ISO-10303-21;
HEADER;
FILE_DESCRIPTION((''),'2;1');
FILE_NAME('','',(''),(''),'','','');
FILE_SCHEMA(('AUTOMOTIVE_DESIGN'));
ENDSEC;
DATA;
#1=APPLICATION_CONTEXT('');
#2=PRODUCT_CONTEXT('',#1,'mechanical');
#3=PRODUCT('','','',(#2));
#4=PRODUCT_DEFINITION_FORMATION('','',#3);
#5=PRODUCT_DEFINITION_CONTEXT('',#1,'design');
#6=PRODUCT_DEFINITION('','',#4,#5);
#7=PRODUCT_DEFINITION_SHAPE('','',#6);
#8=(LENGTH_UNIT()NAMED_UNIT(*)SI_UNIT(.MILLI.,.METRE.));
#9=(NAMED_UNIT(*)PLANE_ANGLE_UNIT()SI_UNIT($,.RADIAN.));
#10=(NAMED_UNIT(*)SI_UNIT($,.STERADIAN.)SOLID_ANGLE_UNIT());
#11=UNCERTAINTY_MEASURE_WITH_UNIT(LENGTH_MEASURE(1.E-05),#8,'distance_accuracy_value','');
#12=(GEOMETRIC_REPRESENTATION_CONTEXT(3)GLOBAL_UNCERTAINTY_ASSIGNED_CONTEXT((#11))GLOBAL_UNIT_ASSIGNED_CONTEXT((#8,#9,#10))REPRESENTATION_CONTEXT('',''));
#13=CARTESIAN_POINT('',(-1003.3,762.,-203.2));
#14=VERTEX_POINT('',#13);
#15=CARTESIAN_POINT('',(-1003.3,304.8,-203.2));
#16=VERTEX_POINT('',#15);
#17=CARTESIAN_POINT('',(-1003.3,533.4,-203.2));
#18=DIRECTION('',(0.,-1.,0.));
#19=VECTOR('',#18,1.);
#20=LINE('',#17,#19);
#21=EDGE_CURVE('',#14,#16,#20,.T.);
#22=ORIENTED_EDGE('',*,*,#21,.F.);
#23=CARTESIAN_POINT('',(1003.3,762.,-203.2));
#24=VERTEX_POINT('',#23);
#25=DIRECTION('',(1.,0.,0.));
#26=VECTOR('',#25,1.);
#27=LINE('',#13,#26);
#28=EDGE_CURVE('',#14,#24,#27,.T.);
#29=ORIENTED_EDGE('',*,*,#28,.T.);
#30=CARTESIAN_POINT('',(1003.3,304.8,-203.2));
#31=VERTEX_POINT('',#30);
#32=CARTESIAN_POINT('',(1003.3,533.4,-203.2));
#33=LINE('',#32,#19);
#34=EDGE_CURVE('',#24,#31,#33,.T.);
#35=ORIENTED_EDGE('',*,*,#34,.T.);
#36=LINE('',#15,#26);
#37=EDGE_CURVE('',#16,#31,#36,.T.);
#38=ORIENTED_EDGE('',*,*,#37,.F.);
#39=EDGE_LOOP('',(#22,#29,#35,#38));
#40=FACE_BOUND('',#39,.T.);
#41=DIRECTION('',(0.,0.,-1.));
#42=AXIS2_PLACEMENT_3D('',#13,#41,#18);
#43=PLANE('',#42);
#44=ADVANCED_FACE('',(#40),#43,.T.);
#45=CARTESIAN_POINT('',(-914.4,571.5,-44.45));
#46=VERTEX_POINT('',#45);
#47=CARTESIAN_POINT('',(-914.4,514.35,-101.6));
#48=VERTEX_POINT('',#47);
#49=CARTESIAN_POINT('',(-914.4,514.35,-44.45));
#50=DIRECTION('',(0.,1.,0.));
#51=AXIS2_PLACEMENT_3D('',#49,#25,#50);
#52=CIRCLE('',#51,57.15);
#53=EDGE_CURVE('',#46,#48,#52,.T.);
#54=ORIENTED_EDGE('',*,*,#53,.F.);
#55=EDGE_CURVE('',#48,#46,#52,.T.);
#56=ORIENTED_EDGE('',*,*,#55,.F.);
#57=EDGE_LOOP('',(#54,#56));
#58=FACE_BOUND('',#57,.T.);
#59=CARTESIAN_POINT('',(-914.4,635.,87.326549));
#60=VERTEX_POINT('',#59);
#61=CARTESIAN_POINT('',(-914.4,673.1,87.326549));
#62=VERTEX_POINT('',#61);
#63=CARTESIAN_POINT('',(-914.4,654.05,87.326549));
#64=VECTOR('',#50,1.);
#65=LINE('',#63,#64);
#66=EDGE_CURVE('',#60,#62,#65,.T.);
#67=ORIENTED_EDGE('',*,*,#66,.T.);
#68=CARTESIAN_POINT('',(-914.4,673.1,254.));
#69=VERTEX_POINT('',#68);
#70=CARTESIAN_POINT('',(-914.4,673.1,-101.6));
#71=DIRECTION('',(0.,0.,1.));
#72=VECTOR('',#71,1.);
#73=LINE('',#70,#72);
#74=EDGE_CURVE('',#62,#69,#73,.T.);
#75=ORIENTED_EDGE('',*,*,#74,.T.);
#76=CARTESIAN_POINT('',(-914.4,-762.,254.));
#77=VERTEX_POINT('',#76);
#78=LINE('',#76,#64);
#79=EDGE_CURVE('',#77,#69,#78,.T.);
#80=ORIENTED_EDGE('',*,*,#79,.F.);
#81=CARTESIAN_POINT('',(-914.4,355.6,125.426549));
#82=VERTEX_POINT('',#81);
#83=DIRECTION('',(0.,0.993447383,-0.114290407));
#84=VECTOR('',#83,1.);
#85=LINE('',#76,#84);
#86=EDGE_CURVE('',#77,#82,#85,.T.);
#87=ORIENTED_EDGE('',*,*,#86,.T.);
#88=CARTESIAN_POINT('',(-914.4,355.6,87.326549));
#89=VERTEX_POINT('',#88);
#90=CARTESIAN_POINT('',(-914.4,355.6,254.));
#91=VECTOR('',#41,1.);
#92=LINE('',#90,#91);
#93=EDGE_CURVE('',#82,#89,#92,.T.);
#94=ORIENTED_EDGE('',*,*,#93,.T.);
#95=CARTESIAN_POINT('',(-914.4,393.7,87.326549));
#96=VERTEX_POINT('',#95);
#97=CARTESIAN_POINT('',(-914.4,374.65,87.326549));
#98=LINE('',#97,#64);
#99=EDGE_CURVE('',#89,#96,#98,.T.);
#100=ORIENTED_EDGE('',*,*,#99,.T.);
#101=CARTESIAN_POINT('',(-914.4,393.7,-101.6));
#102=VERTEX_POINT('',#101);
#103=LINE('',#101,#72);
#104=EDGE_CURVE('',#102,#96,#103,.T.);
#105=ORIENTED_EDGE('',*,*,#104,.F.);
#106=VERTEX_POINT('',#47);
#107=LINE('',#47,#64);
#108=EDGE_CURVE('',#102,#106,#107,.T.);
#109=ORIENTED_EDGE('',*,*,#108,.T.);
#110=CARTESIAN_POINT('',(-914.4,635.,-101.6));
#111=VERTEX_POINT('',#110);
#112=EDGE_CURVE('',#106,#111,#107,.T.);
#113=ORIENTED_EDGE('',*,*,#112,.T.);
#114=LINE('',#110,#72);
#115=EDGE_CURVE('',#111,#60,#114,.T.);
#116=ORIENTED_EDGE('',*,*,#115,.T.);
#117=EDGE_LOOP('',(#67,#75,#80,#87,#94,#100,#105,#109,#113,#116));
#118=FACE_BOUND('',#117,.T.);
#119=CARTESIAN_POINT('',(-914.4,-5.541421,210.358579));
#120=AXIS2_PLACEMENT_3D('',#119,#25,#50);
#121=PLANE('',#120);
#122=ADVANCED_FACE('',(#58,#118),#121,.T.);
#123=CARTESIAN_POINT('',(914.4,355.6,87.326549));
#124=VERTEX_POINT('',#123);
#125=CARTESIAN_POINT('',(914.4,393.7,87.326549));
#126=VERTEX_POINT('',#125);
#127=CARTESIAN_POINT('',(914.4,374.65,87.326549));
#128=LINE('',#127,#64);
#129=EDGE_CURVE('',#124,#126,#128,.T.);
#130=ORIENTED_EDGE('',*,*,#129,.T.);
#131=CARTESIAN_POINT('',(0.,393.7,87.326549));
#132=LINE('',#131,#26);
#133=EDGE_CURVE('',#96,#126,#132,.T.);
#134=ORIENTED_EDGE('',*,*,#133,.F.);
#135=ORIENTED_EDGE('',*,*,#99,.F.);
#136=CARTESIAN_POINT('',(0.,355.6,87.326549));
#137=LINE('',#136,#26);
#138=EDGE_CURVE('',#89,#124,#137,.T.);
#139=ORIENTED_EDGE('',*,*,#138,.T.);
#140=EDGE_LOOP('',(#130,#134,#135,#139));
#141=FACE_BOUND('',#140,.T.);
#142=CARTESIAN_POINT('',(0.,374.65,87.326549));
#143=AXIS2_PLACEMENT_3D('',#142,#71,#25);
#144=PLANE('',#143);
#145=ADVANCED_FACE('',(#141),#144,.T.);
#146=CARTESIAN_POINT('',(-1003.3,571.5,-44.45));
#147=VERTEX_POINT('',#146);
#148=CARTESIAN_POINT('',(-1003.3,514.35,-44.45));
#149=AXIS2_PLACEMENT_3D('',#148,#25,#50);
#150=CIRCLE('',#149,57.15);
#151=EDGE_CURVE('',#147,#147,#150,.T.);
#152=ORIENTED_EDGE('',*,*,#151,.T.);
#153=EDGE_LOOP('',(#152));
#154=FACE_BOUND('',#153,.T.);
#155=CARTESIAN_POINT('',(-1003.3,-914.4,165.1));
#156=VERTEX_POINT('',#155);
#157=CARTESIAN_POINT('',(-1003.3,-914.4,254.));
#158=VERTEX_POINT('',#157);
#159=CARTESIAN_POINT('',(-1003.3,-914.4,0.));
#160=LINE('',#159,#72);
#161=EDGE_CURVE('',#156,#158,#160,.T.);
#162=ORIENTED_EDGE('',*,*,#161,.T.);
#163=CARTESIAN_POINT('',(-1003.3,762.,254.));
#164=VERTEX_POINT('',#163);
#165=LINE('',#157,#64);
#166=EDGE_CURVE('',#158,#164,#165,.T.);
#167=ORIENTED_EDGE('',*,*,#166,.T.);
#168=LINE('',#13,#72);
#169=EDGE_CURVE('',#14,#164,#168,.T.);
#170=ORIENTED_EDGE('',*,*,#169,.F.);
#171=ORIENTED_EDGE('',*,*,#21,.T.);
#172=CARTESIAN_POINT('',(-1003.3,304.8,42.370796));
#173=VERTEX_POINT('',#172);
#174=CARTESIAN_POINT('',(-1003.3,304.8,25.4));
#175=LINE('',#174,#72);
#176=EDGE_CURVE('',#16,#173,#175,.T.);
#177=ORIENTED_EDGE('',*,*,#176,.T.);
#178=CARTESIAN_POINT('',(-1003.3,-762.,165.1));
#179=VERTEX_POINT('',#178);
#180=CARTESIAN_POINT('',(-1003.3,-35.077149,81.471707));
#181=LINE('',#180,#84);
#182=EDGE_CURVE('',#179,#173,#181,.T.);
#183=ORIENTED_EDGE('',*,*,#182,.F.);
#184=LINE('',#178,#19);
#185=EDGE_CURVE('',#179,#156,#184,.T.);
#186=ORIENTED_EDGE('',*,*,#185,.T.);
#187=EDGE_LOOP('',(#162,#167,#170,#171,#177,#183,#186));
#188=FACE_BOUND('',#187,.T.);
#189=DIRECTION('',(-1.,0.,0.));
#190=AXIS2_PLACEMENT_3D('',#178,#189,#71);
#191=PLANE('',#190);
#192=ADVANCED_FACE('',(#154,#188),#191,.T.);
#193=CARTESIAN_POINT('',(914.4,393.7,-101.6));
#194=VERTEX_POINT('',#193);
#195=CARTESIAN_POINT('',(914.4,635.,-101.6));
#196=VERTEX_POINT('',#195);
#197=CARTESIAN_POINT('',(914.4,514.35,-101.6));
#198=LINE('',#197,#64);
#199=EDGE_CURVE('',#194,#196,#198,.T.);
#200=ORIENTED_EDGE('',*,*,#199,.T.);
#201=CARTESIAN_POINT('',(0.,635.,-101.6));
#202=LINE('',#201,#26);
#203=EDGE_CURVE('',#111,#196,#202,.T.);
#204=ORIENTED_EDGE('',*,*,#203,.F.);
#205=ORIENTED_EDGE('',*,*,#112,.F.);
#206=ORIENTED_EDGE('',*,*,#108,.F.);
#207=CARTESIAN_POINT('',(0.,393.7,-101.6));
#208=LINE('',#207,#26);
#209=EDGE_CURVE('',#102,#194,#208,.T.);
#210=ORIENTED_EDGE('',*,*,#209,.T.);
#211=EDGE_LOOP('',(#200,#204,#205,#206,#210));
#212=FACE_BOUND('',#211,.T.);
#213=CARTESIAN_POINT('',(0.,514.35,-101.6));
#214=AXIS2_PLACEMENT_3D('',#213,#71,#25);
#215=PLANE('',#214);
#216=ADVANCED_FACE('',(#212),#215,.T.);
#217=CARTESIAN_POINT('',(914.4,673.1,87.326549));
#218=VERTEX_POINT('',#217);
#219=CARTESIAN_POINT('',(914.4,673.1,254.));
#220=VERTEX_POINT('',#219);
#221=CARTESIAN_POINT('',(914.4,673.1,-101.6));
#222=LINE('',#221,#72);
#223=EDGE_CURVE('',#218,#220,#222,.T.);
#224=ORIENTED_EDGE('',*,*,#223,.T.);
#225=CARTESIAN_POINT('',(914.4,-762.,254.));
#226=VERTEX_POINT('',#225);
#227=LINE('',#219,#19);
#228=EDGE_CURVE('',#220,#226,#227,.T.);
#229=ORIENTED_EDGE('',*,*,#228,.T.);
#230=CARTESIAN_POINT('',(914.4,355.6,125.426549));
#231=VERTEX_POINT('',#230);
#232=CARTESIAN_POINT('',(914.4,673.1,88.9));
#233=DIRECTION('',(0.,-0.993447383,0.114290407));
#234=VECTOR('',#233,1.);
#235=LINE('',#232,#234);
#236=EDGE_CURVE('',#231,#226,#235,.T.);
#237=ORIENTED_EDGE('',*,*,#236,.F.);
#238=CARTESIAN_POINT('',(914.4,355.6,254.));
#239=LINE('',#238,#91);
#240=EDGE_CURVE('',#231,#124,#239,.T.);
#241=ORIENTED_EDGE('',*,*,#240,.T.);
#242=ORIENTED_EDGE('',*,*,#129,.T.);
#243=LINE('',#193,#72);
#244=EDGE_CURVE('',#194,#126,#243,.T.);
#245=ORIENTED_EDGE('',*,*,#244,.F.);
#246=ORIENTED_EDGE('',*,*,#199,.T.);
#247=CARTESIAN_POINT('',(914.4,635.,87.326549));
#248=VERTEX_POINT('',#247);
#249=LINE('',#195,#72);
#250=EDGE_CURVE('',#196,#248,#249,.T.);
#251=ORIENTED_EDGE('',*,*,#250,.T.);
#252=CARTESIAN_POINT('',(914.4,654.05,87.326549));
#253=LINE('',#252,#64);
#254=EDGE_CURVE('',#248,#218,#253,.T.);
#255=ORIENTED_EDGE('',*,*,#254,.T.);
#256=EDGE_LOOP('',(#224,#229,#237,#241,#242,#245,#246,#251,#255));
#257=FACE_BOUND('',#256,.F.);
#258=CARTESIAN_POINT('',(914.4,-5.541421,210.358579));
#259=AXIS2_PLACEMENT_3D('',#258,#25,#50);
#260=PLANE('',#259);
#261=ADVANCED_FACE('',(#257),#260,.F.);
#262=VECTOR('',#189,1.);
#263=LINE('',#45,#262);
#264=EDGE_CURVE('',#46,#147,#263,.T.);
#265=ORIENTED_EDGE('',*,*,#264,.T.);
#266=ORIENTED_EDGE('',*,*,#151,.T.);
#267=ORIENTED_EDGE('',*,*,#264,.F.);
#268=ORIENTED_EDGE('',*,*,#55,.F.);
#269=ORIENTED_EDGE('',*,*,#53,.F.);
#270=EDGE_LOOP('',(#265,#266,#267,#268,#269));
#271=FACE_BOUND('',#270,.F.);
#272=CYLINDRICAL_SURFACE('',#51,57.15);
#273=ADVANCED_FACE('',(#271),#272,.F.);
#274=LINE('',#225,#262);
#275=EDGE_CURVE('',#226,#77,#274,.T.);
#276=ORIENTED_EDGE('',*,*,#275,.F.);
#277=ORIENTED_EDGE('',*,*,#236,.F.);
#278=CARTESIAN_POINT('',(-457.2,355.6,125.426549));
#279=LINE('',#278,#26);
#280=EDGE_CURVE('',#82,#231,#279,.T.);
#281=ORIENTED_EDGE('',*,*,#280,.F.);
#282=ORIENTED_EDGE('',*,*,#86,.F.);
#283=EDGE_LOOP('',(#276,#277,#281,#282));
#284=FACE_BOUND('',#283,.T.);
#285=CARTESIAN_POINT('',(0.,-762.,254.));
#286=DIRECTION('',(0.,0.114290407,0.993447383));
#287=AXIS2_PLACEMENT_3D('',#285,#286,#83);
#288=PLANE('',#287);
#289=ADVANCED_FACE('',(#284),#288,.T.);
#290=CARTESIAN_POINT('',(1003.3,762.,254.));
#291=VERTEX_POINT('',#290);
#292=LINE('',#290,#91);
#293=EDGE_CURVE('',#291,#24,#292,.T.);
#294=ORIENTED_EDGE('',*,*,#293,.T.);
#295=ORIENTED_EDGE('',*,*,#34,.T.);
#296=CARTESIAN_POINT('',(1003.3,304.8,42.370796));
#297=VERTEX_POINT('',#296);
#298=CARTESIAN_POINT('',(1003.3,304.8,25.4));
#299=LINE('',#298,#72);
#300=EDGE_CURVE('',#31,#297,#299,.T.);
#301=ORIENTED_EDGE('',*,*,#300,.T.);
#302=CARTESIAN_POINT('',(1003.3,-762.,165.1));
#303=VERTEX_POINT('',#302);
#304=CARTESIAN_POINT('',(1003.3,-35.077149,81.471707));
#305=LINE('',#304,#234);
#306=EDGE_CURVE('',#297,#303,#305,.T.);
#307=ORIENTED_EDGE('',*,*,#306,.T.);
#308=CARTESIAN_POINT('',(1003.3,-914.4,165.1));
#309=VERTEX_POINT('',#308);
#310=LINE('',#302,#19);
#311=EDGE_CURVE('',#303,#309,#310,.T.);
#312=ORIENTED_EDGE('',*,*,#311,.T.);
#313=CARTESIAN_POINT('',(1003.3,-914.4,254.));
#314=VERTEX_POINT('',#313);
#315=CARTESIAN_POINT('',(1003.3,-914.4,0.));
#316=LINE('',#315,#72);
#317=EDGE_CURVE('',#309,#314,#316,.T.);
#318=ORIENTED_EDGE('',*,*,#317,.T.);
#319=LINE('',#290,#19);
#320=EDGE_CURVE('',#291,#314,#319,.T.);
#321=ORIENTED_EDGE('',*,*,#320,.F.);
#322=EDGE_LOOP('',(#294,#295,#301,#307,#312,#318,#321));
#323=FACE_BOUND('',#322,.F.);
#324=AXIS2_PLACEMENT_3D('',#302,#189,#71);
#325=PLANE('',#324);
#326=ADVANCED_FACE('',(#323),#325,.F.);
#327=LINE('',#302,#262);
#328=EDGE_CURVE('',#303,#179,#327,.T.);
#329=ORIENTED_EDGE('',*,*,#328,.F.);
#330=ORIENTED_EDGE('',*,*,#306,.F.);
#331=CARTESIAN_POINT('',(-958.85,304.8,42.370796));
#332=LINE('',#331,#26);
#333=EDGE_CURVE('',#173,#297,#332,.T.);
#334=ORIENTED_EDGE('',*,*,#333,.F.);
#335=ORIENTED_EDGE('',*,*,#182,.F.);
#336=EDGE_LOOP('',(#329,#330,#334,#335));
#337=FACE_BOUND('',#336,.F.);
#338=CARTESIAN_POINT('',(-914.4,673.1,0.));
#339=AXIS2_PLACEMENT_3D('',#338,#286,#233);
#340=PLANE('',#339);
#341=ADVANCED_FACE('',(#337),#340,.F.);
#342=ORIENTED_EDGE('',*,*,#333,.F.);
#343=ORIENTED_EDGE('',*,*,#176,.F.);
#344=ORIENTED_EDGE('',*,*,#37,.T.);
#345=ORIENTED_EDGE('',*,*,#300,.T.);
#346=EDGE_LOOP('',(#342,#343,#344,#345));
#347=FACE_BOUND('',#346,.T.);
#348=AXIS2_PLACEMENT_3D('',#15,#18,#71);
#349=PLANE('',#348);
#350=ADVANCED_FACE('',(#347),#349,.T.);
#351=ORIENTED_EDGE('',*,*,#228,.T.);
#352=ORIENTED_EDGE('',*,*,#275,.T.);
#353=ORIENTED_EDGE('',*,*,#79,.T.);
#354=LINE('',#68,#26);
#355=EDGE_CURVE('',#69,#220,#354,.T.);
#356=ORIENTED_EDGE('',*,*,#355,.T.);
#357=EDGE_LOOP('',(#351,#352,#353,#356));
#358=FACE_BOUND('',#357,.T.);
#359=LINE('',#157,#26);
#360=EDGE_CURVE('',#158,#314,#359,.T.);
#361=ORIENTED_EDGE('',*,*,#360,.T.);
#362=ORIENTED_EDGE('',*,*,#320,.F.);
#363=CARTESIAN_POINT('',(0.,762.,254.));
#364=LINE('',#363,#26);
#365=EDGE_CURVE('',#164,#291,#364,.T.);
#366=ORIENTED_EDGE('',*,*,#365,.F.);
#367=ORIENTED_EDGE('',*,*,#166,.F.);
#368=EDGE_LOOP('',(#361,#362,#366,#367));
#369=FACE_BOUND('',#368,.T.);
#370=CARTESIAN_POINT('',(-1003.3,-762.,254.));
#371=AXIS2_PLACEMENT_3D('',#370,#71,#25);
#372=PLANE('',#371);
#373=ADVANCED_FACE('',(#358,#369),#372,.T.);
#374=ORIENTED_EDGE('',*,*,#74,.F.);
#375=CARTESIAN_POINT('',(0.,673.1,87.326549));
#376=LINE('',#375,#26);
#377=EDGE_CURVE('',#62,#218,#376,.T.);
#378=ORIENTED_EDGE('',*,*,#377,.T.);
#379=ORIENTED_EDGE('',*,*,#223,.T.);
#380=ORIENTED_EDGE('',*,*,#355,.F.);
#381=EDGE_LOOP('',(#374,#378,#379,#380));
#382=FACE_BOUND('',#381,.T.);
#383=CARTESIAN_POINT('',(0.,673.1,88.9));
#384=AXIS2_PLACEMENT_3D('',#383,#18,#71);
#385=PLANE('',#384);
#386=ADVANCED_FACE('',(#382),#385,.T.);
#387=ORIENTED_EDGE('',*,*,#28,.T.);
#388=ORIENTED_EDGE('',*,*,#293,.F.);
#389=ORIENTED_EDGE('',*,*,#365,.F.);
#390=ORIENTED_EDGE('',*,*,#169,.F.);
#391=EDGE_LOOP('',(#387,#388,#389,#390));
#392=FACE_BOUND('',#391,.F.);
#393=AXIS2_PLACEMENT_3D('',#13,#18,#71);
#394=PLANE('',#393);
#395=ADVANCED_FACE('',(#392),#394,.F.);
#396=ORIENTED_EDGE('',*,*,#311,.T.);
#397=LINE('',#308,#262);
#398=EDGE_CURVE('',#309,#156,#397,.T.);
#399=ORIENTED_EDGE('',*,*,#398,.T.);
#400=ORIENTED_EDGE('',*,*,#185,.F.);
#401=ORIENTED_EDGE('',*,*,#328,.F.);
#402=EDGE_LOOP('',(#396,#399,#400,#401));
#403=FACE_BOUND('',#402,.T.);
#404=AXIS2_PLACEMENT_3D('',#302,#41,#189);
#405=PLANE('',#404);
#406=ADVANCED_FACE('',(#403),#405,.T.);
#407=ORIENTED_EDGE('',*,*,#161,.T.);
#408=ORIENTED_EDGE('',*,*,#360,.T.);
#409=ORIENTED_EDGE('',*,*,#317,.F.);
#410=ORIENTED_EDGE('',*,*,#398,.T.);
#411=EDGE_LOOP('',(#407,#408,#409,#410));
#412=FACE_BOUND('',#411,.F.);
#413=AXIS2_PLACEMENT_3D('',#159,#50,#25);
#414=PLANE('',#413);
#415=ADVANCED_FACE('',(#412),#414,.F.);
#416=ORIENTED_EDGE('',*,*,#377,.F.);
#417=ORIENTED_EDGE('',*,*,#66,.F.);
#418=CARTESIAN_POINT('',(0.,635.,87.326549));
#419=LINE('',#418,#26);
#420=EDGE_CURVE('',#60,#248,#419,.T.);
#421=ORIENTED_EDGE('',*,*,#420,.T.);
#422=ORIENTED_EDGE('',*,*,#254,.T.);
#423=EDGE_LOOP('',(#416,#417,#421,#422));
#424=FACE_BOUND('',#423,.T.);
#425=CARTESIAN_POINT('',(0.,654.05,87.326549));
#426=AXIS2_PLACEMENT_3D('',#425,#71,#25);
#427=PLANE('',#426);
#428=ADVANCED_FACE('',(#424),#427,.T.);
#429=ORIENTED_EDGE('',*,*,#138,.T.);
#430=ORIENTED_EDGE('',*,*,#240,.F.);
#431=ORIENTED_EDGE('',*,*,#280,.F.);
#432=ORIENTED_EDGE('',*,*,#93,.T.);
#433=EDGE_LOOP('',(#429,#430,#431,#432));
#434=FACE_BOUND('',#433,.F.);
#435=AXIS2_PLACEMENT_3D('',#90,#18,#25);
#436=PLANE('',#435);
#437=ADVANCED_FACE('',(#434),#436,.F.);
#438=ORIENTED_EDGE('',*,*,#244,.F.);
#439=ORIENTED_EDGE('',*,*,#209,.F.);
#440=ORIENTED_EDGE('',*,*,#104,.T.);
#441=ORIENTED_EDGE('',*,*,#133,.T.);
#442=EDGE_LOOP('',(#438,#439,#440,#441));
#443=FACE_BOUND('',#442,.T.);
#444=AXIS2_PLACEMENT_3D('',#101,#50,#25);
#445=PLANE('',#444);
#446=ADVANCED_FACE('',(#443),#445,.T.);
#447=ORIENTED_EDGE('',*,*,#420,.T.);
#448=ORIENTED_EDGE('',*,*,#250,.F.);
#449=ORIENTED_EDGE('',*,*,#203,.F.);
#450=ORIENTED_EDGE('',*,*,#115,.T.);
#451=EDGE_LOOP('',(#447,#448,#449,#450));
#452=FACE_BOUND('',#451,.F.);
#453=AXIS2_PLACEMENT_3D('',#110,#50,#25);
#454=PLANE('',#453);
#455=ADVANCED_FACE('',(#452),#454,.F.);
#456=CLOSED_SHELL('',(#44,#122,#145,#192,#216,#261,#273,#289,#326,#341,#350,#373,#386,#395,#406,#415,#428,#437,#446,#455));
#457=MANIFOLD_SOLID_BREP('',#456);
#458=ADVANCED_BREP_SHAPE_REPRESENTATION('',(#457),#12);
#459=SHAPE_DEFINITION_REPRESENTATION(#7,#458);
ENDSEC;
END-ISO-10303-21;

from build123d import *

# Parameters (mm, degrees)
F0_W          = 2006.6
F0_H          = 1524
F1_DEPTH      = 254
F4_DEPTH      = 914.4
F5_DEPTH      = 88.901
F6_DEPTH      = 88.901
F3_W          = 457.2
F3_H          = 457.2
F7_DEPTH      = 2006.6
F8_DEPTH      = 914.4
F8_DEPTH_BACK = 914.4
F9_W          = 1828.8
F9_H          = 317.5
F10_DEPTH     = 355.6
F11_W         = 1828.8
F11_H         = 38.1
F12_DEPTH     = 188.9265486726
F13_R         = 57.15
F14_DEPTH     = 88.901
F15_DEPTH     = 152.4


with BuildPart() as f1:
    # F0 (on Top) → F1 (new body)
    with BuildSketch(Plane.XY):
        Rectangle(F0_W, F0_H)
    extrude(amount=F1_DEPTH)

    # F2 (on Right) → F4 (cut, symmetric)
    with BuildSketch(Plane.YZ):
        Polygon((673.1, 254), (-762, 254), (673.1, 88.9), align=None)
        Polygon((673.1, 0), (-762, 165.1), (-762, 0), align=None)
    extrude(amount=F4_DEPTH, both=True, mode=Mode.SUBTRACT)

    # F5 (cut, through all): a face of the model
    f5_faces = [f1.faces().sort_by_distance(p)[0] for p in [
        (-914.4, -283.6333333333, 55.0333333333),
    ]]
    extrude(f5_faces, amount=-F5_DEPTH, mode=Mode.SUBTRACT)

    # F6 (cut, through all): a face of the model
    f6_faces = [f1.faces().sort_by_distance(p)[0] for p in [
        (914.4, -283.6333333333, 55.0333333333),
    ]]
    extrude(f6_faces, amount=-F6_DEPTH, mode=Mode.SUBTRACT)

    # F3 (on face) → F7 (join, through all)
    with BuildSketch(Plane(origin=(-1003.3, 0, 0), x_dir=(0, -1, 0), z_dir=(-1, 0, 0))):
        with Locations((-533.4, 25.4)):
            Rectangle(F3_W, F3_H)
    extrude(amount=-F7_DEPTH)

    # F2 (on Right) → F8 (cut, two sides)
    with BuildSketch(Plane.YZ) as f8_sk:
        Polygon((673.1, 254), (-762, 254), (673.1, 88.9), align=None)
    extrude(amount=-F8_DEPTH, mode=Mode.SUBTRACT)
    extrude(f8_sk.sketch, amount=F8_DEPTH_BACK, mode=Mode.SUBTRACT)

    # F9 (on face) → F10 (cut, through all)
    with BuildSketch(Plane.XY.offset(254)):
        with Locations((0, 514.35)):
            Rectangle(F9_W, F9_H)
    extrude(amount=-F10_DEPTH, mode=Mode.SUBTRACT)

    # F11 (on face) → F12 (join, through all)
    with BuildSketch(Plane.XY.offset(-101.6)):
        with Locations((0, 654.05)):
            Rectangle(F11_W, F11_H)
        with Locations((0, 374.65)):
            Rectangle(F11_W, F11_H)
    extrude(amount=F12_DEPTH)

    # F13 (on face) → F14 (cut, through all)
    with BuildSketch(Plane.YZ.offset(-914.4)):
        with Locations((514.35, -44.45)):
            Circle(F13_R)
    extrude(amount=-F14_DEPTH, mode=Mode.SUBTRACT)

    # F15 (add): a face of the model
    f15_faces = [f1.faces().sort_by_distance(p)[0] for p in [
        (0, -762, 209.55),
    ]]
    extrude(f15_faces, amount=F15_DEPTH)


solid = f1.part
